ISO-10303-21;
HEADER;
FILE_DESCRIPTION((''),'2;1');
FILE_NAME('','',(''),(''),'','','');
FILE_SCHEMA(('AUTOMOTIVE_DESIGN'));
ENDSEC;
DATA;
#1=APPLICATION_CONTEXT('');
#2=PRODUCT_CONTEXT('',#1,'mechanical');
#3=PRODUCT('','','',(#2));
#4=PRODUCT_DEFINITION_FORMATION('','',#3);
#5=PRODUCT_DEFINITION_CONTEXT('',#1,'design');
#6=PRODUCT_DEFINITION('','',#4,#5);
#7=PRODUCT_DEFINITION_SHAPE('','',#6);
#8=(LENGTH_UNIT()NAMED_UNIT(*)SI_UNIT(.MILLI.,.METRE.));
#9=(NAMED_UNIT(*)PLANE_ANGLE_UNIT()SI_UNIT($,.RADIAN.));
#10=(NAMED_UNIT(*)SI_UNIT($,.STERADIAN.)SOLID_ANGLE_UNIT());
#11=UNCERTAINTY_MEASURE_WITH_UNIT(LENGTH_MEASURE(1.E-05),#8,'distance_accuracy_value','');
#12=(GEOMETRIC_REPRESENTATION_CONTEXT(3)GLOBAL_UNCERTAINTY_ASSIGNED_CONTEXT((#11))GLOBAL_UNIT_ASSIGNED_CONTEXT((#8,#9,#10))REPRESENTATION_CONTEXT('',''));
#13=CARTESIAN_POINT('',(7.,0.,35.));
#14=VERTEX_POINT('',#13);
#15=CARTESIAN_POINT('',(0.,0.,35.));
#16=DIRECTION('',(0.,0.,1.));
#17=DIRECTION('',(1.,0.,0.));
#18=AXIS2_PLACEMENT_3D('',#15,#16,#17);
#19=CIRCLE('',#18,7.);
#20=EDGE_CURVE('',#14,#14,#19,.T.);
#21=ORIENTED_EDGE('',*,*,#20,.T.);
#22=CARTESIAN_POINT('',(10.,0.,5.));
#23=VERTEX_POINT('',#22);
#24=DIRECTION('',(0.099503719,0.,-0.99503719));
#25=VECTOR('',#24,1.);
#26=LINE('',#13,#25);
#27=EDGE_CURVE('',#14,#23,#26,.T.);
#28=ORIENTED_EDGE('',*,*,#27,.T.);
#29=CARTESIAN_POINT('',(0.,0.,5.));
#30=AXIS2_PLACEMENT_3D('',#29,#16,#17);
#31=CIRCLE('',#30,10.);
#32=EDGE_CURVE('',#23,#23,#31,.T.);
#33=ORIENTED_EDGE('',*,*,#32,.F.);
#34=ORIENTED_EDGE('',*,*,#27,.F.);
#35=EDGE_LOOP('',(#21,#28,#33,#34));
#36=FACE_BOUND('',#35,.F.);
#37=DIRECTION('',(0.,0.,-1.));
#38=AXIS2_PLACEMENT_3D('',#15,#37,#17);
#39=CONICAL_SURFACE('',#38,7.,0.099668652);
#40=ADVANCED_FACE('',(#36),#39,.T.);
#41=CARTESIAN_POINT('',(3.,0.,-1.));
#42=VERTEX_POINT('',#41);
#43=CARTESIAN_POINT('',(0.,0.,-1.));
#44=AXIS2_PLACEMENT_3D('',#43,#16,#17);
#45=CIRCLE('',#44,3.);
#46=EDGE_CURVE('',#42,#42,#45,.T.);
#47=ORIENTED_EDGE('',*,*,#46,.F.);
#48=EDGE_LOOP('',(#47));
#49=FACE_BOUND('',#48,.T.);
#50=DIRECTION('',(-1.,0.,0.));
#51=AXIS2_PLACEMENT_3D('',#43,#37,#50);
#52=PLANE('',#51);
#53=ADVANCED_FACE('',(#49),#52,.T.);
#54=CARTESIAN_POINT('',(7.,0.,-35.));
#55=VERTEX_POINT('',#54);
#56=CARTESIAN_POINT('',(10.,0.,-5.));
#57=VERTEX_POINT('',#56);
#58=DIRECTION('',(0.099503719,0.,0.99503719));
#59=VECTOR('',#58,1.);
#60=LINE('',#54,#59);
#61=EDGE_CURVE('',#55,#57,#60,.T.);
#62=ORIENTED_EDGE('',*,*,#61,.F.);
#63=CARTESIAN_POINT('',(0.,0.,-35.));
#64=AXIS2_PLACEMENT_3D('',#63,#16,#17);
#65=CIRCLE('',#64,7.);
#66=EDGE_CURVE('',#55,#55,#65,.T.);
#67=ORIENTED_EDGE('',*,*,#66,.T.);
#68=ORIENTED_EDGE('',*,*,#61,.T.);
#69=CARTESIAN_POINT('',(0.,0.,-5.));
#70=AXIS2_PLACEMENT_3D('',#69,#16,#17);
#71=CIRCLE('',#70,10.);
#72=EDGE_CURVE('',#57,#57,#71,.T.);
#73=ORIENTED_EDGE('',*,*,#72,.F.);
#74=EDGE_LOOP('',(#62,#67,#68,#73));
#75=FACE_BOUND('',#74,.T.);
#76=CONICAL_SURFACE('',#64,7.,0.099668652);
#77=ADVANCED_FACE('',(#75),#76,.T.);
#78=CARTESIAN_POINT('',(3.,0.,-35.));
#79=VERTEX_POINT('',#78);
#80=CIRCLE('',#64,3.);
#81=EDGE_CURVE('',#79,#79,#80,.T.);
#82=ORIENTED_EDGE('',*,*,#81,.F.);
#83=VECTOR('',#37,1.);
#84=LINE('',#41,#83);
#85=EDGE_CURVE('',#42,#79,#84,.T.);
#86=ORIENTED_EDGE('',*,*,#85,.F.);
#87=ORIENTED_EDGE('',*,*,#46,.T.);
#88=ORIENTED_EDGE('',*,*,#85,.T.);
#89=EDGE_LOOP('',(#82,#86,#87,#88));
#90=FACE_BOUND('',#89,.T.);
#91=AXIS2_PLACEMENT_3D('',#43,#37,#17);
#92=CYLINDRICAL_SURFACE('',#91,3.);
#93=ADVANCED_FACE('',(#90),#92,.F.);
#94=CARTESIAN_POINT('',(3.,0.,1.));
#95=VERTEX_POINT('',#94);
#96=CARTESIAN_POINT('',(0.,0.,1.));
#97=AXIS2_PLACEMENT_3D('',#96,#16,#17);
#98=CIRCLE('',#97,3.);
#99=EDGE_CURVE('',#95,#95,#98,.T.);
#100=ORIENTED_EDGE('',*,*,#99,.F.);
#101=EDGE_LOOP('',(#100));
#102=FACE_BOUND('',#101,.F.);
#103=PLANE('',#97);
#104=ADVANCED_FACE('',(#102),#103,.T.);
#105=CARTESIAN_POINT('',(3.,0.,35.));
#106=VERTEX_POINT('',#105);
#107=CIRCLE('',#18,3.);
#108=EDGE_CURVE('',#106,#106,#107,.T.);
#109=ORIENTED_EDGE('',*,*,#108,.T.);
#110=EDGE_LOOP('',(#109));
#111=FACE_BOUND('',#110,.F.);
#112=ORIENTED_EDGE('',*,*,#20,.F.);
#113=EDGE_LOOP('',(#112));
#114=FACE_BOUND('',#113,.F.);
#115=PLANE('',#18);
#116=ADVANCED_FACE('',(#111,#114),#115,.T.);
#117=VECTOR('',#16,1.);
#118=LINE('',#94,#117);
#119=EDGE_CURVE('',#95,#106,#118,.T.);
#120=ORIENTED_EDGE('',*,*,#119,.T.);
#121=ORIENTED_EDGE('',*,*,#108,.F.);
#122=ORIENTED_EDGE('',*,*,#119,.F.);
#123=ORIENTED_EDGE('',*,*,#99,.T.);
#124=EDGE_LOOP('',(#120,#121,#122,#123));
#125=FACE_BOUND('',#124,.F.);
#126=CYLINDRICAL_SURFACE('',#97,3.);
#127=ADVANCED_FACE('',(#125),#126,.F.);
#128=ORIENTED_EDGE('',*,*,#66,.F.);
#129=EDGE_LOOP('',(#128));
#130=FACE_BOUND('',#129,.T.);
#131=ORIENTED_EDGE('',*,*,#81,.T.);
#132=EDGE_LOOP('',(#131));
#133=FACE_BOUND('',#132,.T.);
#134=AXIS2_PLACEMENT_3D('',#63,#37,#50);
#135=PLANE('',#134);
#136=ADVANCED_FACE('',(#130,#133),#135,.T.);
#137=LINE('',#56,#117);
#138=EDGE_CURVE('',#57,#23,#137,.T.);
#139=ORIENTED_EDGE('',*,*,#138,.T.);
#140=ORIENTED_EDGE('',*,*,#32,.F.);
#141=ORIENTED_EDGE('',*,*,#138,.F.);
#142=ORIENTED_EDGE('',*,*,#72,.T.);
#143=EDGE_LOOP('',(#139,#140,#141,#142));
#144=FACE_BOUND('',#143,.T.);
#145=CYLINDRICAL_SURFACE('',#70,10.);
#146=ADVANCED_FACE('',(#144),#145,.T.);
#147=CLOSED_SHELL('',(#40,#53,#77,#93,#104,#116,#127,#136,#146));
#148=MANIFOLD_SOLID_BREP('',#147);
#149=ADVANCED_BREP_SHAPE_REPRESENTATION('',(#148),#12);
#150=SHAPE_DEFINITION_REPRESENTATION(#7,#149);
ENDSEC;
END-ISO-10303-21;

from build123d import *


with BuildPart() as part:
    # Sketch → Revolution (revolve)
    with BuildSketch(Plane.XZ):
        Polygon((3, 35), (7, 35), (10, 5), (10, 0), (0, 0), (0, 1), (3, 1), align=None)
    revolution = revolve(axis=Axis((0, 0, 0), (0, 0, 1)))

    # Mirrored: Revolution across Sketch H_Axis
    add(revolution.mirror(Plane(origin=(0, 0, 0), x_dir=(0, -1, 0), z_dir=(0, 0, 1))))


solid = part.part
